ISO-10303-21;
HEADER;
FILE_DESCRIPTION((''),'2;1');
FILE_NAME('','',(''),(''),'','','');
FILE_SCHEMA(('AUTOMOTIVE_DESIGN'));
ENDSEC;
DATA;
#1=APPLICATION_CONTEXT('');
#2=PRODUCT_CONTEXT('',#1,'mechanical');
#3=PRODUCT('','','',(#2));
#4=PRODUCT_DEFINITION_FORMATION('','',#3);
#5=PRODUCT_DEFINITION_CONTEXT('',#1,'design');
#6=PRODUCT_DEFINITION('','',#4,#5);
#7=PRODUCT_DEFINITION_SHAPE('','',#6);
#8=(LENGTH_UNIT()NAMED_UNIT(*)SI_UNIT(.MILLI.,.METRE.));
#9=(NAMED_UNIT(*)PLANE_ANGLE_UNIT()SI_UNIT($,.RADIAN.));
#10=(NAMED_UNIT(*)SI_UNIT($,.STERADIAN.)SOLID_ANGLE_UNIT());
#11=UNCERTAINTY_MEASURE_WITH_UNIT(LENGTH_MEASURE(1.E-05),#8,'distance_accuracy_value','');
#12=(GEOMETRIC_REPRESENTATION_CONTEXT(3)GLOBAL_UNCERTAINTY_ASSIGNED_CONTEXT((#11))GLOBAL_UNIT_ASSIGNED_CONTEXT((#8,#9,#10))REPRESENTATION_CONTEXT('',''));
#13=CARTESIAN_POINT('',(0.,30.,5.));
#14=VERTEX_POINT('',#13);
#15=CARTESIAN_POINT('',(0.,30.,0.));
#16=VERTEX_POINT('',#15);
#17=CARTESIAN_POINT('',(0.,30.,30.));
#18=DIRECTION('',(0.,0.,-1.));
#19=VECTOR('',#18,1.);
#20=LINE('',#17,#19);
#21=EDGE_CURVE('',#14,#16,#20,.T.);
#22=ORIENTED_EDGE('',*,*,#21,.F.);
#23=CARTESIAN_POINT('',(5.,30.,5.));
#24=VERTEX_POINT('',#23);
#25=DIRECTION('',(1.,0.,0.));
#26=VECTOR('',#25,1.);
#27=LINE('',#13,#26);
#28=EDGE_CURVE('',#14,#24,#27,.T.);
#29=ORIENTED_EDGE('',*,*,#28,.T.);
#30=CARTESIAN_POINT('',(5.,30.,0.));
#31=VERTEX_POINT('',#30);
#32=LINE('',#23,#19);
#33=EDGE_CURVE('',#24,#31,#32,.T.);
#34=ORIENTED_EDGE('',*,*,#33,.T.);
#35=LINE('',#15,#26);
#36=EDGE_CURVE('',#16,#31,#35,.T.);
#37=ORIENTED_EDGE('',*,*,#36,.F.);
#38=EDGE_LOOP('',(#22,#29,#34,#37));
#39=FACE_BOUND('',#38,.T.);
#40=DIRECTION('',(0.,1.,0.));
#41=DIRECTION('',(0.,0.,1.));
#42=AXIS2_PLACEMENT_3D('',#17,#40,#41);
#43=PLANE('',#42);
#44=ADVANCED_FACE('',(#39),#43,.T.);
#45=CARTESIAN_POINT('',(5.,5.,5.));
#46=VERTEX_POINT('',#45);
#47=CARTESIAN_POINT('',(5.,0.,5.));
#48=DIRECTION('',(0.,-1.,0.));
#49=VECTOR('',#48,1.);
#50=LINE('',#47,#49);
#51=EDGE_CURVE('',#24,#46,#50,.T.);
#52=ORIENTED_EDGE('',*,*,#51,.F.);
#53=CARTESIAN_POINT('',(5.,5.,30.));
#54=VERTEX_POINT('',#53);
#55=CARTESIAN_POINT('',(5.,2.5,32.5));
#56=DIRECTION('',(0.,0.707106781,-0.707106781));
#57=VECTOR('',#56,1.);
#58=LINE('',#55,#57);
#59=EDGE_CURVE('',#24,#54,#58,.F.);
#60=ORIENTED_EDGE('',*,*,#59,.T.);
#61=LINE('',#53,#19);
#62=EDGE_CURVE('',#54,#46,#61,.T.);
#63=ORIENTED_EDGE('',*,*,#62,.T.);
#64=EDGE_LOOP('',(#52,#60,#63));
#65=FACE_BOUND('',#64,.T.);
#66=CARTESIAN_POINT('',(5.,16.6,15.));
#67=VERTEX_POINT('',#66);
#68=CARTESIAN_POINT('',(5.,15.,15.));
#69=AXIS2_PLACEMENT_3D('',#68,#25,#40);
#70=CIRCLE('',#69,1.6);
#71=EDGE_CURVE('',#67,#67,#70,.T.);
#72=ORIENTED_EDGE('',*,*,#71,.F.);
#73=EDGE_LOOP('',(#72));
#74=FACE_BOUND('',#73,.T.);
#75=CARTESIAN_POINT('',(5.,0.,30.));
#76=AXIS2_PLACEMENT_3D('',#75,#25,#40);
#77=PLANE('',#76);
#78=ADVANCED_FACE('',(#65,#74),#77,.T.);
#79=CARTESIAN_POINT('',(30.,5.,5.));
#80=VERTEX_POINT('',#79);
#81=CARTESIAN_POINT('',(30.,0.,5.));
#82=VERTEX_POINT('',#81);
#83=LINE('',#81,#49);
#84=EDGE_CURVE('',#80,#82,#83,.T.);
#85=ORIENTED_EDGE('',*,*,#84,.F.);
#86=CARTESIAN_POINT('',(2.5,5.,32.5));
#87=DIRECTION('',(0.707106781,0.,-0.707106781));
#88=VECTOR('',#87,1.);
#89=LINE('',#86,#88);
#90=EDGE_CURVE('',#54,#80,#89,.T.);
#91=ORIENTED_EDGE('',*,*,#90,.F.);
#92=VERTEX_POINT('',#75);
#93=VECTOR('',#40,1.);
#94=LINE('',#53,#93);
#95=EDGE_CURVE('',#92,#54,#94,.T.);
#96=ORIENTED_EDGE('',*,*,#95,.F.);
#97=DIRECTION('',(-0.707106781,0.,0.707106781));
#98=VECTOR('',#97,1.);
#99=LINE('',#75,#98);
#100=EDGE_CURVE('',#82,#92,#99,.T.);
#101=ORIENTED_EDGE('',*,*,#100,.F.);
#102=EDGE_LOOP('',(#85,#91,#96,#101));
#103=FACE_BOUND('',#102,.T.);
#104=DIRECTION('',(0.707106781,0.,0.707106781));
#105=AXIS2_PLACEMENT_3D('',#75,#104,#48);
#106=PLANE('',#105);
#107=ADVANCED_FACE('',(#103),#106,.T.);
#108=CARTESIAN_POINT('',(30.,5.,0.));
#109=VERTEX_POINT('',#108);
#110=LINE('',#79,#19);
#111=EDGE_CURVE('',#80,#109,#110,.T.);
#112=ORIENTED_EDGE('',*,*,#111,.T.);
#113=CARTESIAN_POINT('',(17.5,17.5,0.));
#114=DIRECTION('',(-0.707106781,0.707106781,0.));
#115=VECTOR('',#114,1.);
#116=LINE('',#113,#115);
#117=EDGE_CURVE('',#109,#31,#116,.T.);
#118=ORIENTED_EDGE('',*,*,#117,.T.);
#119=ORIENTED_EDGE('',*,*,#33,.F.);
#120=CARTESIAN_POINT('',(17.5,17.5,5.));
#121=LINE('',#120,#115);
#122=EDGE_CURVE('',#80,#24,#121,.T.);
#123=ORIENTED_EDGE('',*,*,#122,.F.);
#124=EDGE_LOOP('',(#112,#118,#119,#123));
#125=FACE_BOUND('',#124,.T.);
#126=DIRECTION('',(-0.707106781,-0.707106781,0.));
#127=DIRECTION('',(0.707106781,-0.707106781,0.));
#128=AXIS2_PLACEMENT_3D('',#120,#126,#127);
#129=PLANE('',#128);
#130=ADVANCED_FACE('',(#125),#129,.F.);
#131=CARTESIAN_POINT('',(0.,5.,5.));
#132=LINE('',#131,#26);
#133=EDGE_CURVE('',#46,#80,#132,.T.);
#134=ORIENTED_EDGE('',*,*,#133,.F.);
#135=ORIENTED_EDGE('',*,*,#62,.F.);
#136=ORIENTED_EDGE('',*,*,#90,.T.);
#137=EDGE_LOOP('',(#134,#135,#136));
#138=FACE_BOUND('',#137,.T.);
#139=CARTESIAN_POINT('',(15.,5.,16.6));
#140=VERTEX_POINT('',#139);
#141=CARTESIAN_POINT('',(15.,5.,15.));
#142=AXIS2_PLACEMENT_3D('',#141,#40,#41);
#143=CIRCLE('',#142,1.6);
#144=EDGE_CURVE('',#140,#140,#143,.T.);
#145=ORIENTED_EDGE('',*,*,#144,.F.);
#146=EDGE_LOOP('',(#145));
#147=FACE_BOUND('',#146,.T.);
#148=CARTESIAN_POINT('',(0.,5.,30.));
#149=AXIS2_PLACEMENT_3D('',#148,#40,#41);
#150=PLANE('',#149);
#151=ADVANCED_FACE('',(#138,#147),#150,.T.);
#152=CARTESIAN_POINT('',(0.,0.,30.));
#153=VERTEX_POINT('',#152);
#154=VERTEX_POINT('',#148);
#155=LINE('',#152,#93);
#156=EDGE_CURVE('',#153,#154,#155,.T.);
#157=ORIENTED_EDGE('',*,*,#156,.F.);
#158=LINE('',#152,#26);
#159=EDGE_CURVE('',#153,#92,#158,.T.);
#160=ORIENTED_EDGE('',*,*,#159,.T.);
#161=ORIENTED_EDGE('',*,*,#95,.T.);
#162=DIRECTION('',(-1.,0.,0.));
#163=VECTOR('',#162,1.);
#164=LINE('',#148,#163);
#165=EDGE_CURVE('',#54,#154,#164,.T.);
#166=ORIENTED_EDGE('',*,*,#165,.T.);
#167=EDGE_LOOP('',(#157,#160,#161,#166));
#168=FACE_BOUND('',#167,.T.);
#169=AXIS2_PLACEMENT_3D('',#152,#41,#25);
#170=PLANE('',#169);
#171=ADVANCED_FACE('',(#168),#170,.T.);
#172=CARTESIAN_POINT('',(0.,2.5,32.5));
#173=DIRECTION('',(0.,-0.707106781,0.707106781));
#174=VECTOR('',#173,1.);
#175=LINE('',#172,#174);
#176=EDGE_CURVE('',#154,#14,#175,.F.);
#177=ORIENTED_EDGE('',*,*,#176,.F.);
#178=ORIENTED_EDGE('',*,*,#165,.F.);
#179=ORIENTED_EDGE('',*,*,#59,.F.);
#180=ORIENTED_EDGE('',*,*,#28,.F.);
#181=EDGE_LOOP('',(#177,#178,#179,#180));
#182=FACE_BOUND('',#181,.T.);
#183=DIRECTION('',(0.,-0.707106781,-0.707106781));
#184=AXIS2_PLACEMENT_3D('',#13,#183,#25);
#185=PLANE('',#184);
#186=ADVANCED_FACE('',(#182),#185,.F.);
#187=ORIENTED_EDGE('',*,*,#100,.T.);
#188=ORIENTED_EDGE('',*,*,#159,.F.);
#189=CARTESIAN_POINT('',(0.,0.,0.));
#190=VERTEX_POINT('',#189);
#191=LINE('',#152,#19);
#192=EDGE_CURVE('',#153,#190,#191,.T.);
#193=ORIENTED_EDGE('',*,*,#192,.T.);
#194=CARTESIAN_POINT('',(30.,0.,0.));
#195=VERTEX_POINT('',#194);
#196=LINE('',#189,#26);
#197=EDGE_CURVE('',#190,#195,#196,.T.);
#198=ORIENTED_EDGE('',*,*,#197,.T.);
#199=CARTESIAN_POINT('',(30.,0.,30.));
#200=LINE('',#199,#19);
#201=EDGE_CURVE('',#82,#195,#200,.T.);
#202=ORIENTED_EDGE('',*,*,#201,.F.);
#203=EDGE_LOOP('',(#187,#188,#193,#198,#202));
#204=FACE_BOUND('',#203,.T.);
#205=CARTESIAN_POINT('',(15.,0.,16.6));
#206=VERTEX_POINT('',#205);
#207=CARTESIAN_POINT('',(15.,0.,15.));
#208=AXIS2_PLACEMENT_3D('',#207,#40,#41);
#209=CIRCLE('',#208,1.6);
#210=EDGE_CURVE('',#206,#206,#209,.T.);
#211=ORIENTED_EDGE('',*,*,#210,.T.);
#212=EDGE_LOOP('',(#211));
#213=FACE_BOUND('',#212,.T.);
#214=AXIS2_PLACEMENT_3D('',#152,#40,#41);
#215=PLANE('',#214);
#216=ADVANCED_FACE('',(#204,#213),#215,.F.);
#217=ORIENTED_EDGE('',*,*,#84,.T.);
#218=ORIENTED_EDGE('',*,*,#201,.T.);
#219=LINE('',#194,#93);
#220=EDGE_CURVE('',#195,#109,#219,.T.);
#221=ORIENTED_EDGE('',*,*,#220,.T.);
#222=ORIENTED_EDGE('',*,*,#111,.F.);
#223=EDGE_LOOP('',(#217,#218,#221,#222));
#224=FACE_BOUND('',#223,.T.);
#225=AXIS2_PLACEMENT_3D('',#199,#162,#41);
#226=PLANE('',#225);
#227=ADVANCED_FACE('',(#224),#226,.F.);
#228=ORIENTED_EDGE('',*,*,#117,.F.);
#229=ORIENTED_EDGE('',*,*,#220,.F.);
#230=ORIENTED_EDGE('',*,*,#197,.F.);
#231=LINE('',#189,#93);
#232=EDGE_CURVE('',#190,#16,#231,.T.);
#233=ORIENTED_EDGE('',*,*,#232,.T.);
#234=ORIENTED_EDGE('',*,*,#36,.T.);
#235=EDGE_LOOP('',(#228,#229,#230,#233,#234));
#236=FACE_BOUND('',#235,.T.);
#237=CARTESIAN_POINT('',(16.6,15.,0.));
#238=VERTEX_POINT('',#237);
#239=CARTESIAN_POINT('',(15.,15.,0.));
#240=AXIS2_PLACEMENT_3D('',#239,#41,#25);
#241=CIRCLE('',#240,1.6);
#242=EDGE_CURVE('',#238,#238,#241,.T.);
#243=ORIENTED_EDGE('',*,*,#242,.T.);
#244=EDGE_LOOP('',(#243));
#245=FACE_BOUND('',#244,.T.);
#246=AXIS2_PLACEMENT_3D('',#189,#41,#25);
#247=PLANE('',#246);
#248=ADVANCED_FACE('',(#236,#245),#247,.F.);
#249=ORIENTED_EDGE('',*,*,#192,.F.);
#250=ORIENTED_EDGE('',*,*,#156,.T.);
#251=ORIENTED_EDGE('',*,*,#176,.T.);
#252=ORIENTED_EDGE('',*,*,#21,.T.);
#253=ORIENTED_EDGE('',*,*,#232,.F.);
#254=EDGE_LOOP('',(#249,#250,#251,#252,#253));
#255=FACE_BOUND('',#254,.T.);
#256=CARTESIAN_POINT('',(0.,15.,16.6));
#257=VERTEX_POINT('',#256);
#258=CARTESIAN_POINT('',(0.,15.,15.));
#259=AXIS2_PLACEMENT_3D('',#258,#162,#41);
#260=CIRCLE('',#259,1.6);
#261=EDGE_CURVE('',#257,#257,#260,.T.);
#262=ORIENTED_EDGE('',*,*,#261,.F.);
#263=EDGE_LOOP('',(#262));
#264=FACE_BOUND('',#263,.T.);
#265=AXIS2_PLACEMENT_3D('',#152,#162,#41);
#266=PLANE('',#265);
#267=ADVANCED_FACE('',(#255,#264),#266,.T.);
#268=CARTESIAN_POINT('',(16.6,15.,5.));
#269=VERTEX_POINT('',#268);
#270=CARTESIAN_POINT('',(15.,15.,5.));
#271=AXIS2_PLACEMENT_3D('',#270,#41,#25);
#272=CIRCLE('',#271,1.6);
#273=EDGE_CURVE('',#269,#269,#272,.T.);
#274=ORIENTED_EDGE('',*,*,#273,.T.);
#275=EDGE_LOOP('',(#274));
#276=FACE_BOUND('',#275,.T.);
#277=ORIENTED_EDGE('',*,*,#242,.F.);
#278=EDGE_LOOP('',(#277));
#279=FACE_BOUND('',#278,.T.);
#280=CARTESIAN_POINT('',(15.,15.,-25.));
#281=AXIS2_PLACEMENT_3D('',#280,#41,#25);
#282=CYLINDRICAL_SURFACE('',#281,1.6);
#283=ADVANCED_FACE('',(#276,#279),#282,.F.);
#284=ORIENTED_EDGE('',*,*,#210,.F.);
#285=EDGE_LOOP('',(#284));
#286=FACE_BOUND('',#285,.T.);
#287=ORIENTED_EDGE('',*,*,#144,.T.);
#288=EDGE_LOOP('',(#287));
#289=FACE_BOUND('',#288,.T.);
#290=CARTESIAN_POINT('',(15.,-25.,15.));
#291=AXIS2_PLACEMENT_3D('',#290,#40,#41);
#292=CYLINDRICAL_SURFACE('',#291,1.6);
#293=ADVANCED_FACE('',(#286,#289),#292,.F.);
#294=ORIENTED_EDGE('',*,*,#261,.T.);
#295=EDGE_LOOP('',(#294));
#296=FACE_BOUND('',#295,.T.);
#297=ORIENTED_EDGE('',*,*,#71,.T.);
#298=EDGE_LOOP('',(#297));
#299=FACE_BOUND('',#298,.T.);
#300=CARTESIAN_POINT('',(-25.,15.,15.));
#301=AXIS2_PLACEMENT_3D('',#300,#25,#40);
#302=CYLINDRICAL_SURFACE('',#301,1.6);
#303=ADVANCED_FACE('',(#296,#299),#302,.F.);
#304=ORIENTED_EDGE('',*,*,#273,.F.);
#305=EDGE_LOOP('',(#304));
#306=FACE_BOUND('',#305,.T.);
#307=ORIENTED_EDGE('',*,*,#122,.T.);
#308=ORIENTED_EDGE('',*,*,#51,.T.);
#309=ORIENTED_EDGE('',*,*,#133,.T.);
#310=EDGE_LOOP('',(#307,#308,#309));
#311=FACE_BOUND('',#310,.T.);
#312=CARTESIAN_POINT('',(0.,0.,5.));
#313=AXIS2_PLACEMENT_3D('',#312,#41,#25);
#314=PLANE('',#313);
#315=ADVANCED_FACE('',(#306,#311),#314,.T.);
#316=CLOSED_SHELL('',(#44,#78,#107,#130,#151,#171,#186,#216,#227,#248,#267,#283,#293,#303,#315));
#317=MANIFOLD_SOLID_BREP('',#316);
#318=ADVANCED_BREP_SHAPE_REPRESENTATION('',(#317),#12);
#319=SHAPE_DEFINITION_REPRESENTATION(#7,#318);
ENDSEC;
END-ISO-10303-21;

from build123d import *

# Parameters (mm, degrees)
AUFSATZ_LINEAR_AUSTRAGEN2_DEPTH = 5
AUFSATZ_LINEAR_AUSTRAGEN3_DEPTH = 30
FASE3_SIZE                      = 25
SKIZZE3_R                       = 1.6
SCHNITT_LINEAR_AUSTRAGEN2_DEPTH = 30
SKIZZE4_R                       = 1.6
SCHNITT_LINEAR_AUSTRAGEN3_DEPTH = 30
SKIZZE5_R                       = 1.6
SCHNITT_LINEAR_AUSTRAGEN4_DEPTH = 30


with BuildPart() as part:
    # Skizze1 → Aufsatz-Linear austragen2 (new body)
    with BuildSketch(Plane.XY):
        Polygon((5, 5), (30, 5), (5, 30), align=None)
    extrude(amount=AUFSATZ_LINEAR_AUSTRAGEN2_DEPTH)

    # Skizze1<5> → Aufsatz-Linear austragen3 (add)
    with BuildSketch(Plane.XY):
        Polygon((0, 30), (0, 0), (30, 0), (30, 5), (5, 5), (5, 30), align=None)
    extrude(amount=AUFSATZ_LINEAR_AUSTRAGEN3_DEPTH)

    # Fase3
    fase3_edges = [part.edges().sort_by_distance(p)[0] for p in [
        (2.5, 30, 30),
        (30, 2.5, 30),
    ]]
    chamfer(fase3_edges, length=FASE3_SIZE)

    # Skizze3 → Schnitt-Linear austragen2 (cut)
    with BuildSketch(Plane(origin=(0, 5, 0), x_dir=(1, 0, 0), z_dir=(0, 1, 0))):
        with Locations((15, -15)):
            Circle(SKIZZE3_R)
    extrude(amount=-SCHNITT_LINEAR_AUSTRAGEN2_DEPTH, mode=Mode.SUBTRACT)

    # Skizze4 → Schnitt-Linear austragen3 (cut)
    with BuildSketch(Plane(origin=(5, 0, 0), x_dir=(0, 0, -1), z_dir=(1, 0, 0))):
        with Locations((-15, 15)):
            Circle(SKIZZE4_R)
    extrude(amount=-SCHNITT_LINEAR_AUSTRAGEN3_DEPTH, mode=Mode.SUBTRACT)

    # Skizze5 → Schnitt-Linear austragen4 (cut)
    with BuildSketch(Plane.XY.offset(5)):
        with Locations((15, 15)):
            Circle(SKIZZE5_R)
    extrude(amount=-SCHNITT_LINEAR_AUSTRAGEN4_DEPTH, mode=Mode.SUBTRACT)


solid = part.part
